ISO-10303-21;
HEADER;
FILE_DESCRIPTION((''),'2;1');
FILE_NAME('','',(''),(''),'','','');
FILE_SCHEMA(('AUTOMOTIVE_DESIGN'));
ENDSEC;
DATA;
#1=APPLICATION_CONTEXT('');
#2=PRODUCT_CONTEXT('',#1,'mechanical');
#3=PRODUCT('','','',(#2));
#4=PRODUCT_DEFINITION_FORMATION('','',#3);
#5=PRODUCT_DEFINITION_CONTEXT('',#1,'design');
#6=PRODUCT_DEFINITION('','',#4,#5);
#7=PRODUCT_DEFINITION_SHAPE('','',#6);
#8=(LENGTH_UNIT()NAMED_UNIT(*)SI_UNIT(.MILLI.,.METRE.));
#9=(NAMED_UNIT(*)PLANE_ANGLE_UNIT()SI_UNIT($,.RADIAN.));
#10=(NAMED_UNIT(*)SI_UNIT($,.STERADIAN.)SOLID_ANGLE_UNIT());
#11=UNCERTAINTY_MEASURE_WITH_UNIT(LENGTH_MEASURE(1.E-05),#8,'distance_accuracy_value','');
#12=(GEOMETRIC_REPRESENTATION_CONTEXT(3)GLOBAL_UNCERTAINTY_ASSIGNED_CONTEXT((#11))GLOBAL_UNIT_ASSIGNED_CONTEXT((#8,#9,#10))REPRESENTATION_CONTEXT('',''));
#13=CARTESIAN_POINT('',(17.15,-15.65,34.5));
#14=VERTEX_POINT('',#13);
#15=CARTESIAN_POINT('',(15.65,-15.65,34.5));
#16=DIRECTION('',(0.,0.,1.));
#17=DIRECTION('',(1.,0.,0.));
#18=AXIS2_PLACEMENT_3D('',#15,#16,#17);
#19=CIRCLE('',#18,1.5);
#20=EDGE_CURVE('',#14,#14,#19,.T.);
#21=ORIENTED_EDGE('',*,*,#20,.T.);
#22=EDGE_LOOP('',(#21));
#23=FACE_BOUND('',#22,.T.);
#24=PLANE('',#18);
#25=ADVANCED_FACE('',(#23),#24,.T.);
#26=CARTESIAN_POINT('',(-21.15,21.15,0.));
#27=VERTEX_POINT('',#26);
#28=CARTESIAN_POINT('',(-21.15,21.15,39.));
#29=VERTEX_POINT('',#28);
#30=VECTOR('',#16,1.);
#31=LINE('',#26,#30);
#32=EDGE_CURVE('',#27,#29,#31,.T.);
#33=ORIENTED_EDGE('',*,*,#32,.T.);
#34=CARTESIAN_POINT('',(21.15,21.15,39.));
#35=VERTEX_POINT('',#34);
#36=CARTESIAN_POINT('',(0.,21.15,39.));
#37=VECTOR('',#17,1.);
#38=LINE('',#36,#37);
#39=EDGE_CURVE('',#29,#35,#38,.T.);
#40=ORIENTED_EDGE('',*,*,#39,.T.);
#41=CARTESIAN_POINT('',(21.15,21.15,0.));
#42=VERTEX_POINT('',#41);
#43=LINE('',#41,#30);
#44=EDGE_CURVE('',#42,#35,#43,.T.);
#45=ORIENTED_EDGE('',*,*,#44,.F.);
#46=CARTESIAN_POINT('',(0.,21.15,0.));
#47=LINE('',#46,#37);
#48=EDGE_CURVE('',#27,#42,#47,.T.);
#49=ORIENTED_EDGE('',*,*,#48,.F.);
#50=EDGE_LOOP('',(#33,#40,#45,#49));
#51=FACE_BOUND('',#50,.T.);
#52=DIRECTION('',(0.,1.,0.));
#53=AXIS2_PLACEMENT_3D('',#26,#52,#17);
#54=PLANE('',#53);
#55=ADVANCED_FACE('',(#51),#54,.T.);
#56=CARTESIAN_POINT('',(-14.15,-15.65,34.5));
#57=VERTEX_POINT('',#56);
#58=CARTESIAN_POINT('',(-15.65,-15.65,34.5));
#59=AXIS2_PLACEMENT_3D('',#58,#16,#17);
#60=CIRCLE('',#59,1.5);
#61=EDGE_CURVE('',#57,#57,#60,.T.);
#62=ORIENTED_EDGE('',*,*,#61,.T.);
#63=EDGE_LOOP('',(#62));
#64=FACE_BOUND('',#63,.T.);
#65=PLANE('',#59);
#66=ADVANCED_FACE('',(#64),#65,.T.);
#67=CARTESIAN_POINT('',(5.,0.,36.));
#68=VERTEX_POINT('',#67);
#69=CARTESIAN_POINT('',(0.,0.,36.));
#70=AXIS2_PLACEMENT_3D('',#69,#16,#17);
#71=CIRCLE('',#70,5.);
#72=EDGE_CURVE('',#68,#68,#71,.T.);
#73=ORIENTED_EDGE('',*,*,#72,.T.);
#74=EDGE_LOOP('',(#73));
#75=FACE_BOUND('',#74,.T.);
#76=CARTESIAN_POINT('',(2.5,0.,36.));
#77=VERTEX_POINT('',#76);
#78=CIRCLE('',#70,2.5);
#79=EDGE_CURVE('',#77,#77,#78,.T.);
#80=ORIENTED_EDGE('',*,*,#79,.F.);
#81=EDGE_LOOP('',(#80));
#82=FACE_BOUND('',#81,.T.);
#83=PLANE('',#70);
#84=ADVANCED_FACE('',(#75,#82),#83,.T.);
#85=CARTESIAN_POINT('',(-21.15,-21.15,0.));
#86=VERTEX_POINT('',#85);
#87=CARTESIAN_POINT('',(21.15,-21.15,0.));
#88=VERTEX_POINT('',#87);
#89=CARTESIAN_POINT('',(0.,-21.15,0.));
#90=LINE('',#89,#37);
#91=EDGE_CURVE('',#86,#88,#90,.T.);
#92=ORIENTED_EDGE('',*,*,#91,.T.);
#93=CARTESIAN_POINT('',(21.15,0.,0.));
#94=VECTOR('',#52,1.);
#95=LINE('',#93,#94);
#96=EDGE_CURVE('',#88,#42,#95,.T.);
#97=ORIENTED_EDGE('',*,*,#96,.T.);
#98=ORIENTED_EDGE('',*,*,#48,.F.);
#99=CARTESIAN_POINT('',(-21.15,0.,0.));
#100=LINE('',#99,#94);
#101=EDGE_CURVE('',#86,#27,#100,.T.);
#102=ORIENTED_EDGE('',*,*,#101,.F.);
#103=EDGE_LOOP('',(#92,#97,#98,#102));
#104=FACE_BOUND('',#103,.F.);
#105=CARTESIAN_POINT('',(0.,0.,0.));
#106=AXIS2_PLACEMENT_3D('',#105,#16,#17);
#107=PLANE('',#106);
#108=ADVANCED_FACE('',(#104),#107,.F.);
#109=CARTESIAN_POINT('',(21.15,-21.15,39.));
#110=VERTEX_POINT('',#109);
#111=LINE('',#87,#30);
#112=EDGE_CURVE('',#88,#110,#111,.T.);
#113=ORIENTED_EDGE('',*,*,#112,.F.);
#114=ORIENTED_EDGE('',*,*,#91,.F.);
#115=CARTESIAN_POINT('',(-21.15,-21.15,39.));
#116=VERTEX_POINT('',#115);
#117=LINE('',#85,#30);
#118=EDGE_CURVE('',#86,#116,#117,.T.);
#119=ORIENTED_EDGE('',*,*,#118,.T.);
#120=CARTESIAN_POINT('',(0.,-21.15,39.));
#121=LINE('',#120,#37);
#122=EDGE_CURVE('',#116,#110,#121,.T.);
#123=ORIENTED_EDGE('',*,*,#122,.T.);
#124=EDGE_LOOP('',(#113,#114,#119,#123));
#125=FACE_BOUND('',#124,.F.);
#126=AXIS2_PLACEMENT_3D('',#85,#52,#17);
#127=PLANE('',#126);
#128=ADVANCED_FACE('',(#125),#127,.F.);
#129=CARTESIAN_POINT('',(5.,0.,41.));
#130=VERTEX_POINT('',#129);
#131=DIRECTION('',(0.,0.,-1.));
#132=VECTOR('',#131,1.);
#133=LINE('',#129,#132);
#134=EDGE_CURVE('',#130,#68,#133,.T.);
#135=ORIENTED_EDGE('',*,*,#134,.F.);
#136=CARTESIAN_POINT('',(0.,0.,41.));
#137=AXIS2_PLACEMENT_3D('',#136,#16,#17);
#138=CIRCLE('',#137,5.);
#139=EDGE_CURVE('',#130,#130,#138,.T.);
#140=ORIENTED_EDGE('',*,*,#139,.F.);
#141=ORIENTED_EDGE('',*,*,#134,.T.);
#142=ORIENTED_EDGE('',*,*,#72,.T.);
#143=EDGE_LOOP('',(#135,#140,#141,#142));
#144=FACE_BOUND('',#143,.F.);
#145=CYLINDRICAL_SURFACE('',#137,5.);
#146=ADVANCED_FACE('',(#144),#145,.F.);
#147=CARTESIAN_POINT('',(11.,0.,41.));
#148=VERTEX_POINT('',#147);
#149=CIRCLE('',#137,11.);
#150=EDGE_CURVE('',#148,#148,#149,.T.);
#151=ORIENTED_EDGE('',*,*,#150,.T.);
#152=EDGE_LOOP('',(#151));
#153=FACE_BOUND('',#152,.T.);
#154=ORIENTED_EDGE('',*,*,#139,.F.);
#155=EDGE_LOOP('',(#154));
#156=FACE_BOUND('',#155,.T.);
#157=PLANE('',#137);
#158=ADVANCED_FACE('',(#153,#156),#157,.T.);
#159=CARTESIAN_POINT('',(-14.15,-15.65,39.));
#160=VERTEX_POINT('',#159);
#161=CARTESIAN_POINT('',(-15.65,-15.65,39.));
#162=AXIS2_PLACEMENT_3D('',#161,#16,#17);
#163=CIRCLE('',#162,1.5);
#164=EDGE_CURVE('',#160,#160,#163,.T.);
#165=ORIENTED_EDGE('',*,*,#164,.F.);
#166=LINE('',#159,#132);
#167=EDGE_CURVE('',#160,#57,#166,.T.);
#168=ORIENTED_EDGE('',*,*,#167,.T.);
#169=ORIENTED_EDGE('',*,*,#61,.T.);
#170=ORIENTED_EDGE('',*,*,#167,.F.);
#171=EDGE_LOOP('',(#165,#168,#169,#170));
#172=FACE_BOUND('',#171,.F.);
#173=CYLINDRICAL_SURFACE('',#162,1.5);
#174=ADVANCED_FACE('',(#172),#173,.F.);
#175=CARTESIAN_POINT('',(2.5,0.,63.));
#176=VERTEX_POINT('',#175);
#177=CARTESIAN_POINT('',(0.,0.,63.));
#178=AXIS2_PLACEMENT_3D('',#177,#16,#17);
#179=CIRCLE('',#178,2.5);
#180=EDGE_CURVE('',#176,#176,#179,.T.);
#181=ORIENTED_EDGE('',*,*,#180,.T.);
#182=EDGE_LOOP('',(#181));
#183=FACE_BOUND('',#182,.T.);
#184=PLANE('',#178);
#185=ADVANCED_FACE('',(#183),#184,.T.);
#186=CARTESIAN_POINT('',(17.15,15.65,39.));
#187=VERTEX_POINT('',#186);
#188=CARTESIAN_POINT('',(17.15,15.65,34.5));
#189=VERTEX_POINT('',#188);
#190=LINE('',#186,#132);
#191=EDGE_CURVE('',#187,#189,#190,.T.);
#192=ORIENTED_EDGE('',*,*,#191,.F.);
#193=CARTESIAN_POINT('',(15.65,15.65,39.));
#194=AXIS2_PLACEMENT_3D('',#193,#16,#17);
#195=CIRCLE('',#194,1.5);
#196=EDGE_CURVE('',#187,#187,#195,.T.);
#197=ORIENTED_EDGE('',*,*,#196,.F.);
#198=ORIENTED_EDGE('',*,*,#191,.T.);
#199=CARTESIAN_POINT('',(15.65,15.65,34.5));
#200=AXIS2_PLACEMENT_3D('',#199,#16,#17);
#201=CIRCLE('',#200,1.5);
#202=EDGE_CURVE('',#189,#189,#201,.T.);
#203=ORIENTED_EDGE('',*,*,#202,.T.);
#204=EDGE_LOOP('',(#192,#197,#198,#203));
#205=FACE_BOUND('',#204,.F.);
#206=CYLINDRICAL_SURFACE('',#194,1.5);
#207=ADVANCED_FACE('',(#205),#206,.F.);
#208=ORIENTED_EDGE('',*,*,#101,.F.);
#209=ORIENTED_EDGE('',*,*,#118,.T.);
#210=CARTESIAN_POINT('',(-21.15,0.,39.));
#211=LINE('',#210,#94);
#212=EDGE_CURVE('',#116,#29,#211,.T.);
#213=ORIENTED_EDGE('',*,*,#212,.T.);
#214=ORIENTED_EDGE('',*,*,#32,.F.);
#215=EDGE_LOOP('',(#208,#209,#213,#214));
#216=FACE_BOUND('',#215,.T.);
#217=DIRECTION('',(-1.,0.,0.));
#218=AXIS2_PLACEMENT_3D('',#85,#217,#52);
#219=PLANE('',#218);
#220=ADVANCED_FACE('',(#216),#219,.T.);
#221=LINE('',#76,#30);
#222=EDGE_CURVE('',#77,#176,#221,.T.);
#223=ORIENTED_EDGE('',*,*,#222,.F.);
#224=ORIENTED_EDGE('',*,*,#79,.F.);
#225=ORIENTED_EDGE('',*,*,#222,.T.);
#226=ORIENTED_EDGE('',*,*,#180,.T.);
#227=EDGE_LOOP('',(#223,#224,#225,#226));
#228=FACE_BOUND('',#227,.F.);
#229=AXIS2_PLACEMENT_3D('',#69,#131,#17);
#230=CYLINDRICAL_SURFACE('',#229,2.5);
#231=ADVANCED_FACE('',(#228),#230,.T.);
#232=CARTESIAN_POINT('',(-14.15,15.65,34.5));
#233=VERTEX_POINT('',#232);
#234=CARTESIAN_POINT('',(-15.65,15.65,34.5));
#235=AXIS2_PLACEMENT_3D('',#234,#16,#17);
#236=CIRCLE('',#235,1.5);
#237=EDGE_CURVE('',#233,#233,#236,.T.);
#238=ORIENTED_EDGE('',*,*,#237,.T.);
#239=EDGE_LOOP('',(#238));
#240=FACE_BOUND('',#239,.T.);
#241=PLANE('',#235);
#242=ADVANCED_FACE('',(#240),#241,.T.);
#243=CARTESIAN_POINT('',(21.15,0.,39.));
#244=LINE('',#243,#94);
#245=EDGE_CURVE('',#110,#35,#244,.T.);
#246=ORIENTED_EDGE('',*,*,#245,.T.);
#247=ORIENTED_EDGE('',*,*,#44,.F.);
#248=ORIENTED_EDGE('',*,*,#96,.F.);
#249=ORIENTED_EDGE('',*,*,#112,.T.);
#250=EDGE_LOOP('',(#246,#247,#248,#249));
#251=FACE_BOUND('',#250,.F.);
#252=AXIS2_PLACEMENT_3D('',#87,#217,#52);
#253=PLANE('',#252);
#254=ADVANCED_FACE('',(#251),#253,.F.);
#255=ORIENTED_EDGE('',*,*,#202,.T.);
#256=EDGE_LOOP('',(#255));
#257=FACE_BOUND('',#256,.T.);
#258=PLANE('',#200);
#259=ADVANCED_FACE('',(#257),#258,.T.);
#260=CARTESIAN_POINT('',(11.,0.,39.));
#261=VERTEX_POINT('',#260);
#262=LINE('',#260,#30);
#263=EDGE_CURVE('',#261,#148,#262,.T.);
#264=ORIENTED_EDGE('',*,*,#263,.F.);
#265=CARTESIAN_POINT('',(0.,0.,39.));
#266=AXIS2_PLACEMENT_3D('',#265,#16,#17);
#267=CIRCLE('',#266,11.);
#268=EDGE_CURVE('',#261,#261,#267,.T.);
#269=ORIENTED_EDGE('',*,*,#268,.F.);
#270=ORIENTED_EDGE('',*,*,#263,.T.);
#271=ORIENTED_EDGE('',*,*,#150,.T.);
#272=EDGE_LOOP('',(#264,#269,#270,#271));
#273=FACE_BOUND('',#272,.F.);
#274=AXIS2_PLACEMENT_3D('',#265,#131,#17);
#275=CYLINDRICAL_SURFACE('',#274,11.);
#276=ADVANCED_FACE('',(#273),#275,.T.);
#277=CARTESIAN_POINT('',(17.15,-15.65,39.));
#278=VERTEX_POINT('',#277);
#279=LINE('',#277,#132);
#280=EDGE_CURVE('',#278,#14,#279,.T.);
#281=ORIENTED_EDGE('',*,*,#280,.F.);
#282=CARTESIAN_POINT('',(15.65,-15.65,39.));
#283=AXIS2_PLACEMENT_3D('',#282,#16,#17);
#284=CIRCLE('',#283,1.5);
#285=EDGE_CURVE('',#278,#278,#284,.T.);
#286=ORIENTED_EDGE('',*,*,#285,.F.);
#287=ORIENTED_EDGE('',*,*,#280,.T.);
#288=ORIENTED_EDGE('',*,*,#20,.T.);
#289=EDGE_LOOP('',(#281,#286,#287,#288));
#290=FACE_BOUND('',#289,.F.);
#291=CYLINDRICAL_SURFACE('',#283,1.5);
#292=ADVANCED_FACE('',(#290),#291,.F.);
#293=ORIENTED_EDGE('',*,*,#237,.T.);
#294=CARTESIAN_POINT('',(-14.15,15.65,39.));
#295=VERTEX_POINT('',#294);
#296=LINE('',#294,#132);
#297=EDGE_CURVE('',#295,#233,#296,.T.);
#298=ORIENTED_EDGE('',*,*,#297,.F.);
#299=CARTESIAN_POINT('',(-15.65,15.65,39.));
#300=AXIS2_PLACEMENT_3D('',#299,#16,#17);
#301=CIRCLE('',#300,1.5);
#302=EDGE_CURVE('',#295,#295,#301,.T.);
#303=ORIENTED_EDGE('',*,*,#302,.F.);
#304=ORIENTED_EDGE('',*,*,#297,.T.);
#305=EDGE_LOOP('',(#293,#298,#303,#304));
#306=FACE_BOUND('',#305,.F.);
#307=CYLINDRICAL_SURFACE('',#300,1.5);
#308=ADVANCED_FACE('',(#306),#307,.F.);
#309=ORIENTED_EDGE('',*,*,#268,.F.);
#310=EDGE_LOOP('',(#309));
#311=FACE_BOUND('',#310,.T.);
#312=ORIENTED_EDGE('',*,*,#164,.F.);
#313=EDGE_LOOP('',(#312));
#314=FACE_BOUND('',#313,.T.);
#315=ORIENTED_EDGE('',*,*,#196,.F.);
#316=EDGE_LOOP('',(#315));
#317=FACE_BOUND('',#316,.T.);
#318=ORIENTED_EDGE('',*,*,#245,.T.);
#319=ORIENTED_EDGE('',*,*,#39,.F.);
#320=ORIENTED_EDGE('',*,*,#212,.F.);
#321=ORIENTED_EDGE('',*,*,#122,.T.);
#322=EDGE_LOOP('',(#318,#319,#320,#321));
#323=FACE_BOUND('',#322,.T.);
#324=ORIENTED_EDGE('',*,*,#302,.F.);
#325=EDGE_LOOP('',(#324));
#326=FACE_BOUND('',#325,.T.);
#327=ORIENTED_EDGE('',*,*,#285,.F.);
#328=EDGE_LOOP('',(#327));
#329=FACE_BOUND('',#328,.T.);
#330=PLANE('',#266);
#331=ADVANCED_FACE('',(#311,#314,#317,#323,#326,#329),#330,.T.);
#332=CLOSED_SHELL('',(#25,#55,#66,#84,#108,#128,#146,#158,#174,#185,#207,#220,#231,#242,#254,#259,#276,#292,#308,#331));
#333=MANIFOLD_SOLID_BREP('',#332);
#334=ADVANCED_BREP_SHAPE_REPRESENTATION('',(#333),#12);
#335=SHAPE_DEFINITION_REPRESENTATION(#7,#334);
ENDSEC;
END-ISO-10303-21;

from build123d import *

# Parameters (mm, degrees)
F0_W      = 42.3
F0_H      = 42.3
F1_DEPTH  = 39
F2_R      = 11
F3_DEPTH  = 2
F4_R      = 1.5
F5_DEPTH  = 4.5
F6_R      = 1.5
F7_DEPTH  = 4.5
F8_R      = 1.5
F9_DEPTH  = 4.5
F10_R     = 1.5
F11_DEPTH = 4.5
F12_R     = 5
F13_DEPTH = 5
F14_R     = 2.5
F15_DEPTH = 27


with BuildPart() as f1:
    # F0 (on Top) → F1 (new body)
    with BuildSketch(Plane.XY):
        Rectangle(F0_W, F0_H)
    extrude(amount=F1_DEPTH)

    # F2 (on face) → F3 (join)
    with BuildSketch(Plane.XY.offset(39)):
        Circle(F2_R)
    extrude(amount=F3_DEPTH)

    # F4 (on face) → F5 (cut)
    with BuildSketch(Plane.XY.offset(39)):
        with Locations((15.65, 15.65)):
            Circle(F4_R)
    extrude(amount=-F5_DEPTH, mode=Mode.SUBTRACT)

    # F6 (on face) → F7 (cut)
    with BuildSketch(Plane.XY.offset(39)):
        with Locations((15.65, -15.65)):
            Circle(F6_R)
    extrude(amount=-F7_DEPTH, mode=Mode.SUBTRACT)

    # F8 (on face) → F9 (cut)
    with BuildSketch(Plane.XY.offset(39)):
        with Locations((-15.65, -15.65)):
            Circle(F8_R)
    extrude(amount=-F9_DEPTH, mode=Mode.SUBTRACT)

    # F10 (on face) → F11 (cut)
    with BuildSketch(Plane.XY.offset(39)):
        with Locations((-15.65, 15.65)):
            Circle(F10_R)
    extrude(amount=-F11_DEPTH, mode=Mode.SUBTRACT)

    # F12 (on face) → F13 (cut)
    with BuildSketch(Plane.XY.offset(41)):
        Circle(F12_R)
    extrude(amount=-F13_DEPTH, mode=Mode.SUBTRACT)

    # F14 (on face) → F15 (join)
    with BuildSketch(Plane.XY.offset(36)):
        Circle(F14_R)
    extrude(amount=F15_DEPTH)


solid = f1.part
